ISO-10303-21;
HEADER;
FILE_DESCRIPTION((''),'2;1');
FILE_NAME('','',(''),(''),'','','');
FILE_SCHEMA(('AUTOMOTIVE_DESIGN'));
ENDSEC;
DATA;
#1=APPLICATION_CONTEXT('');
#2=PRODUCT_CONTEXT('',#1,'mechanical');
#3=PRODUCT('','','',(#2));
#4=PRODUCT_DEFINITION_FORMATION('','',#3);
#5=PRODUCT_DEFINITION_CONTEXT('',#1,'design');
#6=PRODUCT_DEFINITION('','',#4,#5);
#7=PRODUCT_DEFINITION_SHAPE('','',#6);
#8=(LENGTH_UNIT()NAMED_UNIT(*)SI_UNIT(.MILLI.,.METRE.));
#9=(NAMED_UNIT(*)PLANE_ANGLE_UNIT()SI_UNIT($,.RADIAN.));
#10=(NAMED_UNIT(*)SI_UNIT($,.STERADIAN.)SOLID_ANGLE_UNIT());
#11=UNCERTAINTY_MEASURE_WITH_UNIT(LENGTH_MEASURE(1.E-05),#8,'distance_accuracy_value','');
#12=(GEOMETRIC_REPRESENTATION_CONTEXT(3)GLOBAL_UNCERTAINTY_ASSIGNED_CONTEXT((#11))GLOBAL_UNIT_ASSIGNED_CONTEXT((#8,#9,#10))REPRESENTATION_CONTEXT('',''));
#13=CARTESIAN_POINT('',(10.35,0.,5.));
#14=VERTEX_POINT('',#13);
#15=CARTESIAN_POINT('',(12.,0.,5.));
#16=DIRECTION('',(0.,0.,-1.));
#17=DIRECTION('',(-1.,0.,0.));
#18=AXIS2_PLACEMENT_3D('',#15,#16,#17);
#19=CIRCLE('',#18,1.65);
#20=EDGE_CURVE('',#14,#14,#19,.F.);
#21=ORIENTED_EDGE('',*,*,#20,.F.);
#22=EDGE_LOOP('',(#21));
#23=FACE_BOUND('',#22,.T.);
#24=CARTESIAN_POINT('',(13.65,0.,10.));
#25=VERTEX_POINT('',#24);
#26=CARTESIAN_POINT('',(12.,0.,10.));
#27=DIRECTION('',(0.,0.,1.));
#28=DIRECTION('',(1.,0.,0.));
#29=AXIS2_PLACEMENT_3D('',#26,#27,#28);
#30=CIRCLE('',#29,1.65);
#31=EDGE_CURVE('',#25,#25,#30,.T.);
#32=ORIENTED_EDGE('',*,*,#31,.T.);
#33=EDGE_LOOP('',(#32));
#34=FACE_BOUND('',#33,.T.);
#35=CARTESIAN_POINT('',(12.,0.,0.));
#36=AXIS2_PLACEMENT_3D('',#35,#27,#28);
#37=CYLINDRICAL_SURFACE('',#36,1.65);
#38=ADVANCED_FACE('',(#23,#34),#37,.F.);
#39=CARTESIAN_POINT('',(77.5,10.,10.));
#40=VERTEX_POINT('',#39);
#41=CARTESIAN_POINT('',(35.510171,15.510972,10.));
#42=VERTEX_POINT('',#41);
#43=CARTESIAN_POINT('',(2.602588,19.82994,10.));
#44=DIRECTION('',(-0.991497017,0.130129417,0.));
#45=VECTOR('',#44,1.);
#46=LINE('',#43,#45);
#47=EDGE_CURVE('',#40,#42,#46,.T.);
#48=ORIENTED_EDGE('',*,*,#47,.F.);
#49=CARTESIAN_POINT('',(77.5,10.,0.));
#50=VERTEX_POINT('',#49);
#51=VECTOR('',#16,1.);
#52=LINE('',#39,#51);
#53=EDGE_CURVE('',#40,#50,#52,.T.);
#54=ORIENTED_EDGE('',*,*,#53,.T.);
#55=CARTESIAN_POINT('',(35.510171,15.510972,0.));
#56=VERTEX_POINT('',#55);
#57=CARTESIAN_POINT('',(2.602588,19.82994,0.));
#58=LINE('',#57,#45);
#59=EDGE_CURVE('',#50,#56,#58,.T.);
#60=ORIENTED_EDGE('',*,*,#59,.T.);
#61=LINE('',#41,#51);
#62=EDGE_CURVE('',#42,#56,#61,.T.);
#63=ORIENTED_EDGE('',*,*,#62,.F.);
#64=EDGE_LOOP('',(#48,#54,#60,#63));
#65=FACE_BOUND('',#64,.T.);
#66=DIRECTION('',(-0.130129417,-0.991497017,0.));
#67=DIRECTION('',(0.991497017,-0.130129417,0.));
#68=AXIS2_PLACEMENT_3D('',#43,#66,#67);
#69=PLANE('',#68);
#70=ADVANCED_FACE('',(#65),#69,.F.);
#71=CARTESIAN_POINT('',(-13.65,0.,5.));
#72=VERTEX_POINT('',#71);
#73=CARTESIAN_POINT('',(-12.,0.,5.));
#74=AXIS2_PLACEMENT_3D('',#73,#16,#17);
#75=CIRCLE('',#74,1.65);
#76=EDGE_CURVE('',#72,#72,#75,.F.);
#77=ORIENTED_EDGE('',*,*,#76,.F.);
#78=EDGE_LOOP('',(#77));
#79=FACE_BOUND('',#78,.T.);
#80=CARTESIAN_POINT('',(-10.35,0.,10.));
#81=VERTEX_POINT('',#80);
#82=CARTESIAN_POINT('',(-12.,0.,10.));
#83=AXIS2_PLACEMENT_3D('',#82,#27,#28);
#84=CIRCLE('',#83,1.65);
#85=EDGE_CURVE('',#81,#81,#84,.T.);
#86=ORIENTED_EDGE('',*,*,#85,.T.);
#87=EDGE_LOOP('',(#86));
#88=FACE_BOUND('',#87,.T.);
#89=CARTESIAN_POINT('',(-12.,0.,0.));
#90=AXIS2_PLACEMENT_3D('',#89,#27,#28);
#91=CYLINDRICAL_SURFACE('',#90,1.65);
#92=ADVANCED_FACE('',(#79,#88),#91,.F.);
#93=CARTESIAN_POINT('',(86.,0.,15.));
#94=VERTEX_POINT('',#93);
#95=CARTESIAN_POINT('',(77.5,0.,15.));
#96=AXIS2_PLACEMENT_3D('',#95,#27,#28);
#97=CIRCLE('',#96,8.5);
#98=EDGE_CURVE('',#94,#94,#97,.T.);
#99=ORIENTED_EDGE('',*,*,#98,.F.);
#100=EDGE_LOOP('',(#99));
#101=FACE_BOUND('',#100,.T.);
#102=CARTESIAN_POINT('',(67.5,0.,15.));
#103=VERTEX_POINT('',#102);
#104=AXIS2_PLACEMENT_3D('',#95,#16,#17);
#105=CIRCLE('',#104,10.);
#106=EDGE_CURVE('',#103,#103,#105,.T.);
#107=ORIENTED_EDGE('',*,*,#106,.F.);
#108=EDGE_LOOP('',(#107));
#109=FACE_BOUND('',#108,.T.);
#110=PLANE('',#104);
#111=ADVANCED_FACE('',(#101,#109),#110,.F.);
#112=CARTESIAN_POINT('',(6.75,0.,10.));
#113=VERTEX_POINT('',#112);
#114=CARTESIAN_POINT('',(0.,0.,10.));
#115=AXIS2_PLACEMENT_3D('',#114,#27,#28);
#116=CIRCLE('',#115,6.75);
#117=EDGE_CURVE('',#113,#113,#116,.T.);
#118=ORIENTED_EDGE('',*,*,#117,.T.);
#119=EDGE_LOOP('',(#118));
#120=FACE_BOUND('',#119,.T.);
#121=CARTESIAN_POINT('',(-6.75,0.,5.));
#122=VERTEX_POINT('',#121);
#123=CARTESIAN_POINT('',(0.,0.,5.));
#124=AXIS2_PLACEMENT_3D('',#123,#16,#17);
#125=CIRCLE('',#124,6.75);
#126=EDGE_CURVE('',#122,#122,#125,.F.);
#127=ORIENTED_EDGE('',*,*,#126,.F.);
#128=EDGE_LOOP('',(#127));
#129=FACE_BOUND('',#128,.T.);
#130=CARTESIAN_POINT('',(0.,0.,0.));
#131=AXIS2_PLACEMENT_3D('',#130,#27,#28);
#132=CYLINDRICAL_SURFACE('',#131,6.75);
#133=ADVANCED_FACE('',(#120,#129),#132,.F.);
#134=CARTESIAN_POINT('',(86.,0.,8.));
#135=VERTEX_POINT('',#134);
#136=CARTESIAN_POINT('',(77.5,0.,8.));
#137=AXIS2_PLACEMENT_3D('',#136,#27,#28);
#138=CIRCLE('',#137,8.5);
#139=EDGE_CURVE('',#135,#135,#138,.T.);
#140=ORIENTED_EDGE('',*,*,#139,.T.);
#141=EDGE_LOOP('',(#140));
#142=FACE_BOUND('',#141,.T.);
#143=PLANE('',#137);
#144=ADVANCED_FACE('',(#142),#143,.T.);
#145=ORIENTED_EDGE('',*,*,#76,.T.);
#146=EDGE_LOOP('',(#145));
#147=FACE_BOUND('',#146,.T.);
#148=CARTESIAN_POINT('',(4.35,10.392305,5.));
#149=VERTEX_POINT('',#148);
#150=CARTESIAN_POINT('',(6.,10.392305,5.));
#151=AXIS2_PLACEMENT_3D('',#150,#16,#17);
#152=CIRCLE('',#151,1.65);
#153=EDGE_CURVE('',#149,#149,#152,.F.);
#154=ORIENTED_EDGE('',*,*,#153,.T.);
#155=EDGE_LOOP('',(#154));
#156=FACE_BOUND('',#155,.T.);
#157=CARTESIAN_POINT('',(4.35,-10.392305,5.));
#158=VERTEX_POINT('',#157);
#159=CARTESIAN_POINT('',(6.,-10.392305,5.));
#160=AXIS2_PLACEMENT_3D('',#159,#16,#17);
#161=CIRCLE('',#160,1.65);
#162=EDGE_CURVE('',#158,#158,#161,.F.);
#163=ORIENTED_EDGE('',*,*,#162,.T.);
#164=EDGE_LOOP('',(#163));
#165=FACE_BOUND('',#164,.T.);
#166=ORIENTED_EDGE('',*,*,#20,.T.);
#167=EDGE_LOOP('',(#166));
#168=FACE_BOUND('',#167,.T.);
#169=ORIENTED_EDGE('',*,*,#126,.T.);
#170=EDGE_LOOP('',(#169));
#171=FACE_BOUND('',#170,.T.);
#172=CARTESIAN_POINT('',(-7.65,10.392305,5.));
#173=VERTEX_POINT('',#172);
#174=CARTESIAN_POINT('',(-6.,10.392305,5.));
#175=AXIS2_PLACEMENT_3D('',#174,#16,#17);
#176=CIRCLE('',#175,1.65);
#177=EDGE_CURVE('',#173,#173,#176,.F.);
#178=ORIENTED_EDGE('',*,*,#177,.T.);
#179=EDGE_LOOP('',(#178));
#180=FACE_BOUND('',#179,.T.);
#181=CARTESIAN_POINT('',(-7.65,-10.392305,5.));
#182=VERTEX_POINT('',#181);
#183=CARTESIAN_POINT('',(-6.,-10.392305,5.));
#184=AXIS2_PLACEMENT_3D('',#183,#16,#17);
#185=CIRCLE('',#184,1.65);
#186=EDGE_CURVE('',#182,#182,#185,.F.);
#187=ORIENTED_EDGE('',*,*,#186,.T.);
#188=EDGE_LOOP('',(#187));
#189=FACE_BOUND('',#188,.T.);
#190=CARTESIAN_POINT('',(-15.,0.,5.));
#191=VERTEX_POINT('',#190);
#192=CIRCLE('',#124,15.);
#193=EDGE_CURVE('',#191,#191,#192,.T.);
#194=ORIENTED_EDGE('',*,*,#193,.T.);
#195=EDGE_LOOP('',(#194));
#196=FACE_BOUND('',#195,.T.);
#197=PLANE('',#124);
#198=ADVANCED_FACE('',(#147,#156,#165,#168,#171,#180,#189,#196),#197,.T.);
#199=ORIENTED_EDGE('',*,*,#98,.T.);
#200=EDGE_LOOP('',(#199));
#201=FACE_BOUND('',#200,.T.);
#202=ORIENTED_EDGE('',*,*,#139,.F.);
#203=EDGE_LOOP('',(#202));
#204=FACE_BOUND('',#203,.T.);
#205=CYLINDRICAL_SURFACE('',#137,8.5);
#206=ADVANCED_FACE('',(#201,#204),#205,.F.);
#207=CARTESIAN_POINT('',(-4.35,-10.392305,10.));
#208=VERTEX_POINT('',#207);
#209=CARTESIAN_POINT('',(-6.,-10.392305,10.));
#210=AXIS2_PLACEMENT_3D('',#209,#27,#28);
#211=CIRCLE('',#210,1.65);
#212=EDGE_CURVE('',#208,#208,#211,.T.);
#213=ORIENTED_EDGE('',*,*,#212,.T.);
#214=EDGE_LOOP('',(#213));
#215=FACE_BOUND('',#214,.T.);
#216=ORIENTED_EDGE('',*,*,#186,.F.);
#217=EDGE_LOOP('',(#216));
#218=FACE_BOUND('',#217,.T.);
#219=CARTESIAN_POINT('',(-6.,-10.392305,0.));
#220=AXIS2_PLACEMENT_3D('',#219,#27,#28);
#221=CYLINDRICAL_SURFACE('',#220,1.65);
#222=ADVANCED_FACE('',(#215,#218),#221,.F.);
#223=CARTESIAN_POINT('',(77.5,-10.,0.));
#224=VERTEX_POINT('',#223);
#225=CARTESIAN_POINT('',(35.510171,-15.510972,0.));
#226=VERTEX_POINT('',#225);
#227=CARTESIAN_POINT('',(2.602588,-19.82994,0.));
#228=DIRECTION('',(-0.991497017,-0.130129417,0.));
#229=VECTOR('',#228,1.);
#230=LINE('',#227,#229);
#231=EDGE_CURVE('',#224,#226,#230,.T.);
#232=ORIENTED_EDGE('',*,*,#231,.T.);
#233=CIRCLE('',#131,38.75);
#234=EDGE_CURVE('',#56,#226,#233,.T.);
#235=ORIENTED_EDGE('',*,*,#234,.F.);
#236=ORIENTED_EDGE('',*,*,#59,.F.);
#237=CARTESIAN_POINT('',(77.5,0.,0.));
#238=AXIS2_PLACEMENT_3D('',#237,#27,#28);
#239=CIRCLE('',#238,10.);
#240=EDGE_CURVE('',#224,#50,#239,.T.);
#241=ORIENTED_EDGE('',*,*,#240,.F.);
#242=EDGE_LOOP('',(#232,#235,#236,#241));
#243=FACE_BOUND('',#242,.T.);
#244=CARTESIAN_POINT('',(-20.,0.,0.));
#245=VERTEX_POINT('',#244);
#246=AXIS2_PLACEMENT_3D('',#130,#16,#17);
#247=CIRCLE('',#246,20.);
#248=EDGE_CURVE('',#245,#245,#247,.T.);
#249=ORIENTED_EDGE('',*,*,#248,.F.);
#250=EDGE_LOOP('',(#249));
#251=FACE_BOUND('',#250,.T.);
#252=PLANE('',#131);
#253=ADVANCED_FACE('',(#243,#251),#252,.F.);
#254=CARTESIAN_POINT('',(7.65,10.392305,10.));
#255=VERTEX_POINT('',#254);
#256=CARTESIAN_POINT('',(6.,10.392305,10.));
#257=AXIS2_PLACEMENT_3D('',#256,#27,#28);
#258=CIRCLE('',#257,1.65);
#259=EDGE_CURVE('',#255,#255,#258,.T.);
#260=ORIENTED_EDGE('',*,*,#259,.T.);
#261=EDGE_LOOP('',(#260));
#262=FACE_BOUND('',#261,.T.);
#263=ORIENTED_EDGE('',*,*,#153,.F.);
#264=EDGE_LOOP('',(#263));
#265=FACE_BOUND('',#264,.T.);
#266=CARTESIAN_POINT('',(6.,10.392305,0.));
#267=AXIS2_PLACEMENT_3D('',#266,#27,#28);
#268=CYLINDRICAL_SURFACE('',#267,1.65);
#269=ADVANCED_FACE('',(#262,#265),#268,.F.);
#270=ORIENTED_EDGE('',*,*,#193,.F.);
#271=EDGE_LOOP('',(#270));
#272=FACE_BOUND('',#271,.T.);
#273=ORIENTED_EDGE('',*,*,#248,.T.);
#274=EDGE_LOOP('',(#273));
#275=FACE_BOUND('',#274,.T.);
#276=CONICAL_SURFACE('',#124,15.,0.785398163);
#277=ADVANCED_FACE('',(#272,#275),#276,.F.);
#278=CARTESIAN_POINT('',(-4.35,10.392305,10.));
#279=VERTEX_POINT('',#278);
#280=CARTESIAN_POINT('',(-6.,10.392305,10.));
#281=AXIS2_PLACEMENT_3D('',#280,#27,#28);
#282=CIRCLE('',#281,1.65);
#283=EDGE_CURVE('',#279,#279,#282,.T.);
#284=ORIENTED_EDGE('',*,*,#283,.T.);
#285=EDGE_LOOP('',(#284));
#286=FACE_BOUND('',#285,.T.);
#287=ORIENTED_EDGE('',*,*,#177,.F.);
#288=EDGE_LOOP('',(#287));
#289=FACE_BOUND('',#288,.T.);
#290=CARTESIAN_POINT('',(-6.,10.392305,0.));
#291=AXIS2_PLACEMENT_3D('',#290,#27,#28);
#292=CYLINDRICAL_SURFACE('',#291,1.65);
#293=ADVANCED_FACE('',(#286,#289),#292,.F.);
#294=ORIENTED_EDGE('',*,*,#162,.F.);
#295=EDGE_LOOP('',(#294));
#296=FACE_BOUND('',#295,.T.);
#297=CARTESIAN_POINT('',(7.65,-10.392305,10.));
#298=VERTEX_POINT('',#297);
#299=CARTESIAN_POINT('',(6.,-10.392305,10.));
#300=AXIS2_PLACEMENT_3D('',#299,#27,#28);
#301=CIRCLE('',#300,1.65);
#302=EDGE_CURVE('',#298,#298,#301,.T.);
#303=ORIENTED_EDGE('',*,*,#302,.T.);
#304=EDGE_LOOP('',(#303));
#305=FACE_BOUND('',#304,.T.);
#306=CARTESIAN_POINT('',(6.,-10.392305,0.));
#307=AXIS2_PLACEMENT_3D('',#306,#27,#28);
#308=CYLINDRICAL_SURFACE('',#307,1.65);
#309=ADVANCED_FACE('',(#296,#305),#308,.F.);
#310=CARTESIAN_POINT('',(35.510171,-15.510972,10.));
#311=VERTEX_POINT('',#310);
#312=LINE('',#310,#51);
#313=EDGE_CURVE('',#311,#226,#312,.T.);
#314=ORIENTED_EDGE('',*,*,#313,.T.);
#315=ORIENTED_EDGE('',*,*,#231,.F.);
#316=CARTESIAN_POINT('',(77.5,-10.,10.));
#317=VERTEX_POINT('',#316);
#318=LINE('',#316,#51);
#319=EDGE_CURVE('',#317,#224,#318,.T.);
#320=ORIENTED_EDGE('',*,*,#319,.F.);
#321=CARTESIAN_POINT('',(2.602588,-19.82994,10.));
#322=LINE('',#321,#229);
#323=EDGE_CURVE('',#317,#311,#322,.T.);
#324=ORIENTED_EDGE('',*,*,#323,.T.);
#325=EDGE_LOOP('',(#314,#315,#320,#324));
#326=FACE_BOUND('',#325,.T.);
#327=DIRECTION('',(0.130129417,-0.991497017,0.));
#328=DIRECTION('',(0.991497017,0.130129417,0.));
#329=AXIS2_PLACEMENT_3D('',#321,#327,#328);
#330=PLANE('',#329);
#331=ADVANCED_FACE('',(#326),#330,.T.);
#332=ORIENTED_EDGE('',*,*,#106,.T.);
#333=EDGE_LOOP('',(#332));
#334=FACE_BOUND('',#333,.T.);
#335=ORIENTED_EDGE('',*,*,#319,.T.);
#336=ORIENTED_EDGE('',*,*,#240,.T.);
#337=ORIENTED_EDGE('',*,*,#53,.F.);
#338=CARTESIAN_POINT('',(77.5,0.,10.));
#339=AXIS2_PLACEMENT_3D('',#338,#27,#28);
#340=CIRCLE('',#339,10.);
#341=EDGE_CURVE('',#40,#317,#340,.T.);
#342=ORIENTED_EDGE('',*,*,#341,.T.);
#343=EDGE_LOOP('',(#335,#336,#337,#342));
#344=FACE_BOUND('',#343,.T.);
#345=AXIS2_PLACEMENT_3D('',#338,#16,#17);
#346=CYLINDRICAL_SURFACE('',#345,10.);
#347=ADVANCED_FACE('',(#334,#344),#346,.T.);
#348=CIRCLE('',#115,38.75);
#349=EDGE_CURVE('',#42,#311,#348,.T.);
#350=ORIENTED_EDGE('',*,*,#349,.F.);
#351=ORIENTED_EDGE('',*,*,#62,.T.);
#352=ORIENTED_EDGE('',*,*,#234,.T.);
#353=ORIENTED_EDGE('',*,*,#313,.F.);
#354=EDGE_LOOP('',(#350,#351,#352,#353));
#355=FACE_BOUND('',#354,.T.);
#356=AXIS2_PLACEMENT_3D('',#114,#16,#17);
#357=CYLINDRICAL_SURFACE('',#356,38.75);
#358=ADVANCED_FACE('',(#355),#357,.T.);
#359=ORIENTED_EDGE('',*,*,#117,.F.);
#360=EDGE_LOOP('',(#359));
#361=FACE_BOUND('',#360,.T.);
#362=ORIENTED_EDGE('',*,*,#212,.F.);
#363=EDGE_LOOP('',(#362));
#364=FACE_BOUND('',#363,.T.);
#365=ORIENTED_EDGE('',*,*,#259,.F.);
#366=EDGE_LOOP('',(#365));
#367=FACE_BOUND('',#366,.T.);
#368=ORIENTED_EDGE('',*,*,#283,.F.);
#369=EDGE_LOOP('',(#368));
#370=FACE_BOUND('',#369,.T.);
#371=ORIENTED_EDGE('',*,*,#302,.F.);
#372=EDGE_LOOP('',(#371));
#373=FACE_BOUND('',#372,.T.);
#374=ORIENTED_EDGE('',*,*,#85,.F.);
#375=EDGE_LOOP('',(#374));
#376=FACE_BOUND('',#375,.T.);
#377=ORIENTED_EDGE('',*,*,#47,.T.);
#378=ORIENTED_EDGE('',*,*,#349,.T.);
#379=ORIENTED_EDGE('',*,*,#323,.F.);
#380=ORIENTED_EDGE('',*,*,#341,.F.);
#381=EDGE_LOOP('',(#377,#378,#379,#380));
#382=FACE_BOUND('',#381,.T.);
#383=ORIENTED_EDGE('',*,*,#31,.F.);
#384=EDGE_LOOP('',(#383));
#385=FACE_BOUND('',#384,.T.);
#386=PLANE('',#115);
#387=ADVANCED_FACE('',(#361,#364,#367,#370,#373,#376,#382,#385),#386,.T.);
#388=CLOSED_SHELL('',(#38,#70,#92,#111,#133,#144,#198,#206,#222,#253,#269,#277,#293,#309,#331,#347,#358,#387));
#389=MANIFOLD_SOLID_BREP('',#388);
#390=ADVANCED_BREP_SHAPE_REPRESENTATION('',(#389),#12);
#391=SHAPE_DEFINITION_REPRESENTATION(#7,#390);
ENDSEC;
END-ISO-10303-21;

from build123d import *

# Parameters (mm, degrees)
BOSS_EXTRUDE1_DEPTH = 10
SKETCH2_R           = 6.75
SKETCH2_R_2         = 1.65
CUT_EXTRUDE1_DEPTH  = 97.21752699
SKETCH3_W           = 15
SKETCH3_H           = 5
SKETCH4_R           = 10
BOSS_EXTRUDE2_DEPTH = 15
SKETCH5_R           = 8.5
CUT_EXTRUDE2_DEPTH  = 7


with BuildPart() as part:
    # Sketch1 → Boss-Extrude1 (new body)
    with BuildSketch(Plane.XY):
        with BuildLine():
            ThreePointArc((35.510171199, 15.510971646), (-38.75, 0), (35.510171199, -15.510971646))
            Line((35.510171199, -15.510971646), (77.5, -10))
            ThreePointArc((77.5, -10), (87.5, 0), (77.5, 10))
            Line((77.5, 10), (35.510171199, 15.510971646))
        make_face()
    extrude(amount=BOSS_EXTRUDE1_DEPTH)

    # Sketch2 → Cut-Extrude1 (cut, through all)
    with BuildSketch(Plane.XY.offset(10)):
        Circle(SKETCH2_R)
        with Locations((12, 0)):
            Circle(SKETCH2_R_2)
        with Locations((6, -10.392304845)):
            Circle(SKETCH2_R_2)
        with Locations((-6, -10.392304845)):
            Circle(SKETCH2_R_2)
        with Locations((-12, 0)):
            Circle(SKETCH2_R_2)
        with Locations((-6, 10.392304845)):
            Circle(SKETCH2_R_2)
        with Locations((6, 10.392304845)):
            Circle(SKETCH2_R_2)
    extrude(amount=-CUT_EXTRUDE1_DEPTH, mode=Mode.SUBTRACT)

    # Sketch3 → Cut-Revolve1 (revolve, cut)
    with BuildSketch(Plane(origin=(0, 0, 0), x_dir=(1, 0, 0), z_dir=(0, 1, 0))):
        with Locations((7.5, -2.5)):
            Rectangle(SKETCH3_W, SKETCH3_H)
        Polygon((15, -5), (20, 0), (15, 0), align=None)
    revolve(axis=Axis((0, 0, 0), (0, 0, 1)), mode=Mode.SUBTRACT)

    # Sketch4 → Boss-Extrude2 (add)
    with BuildSketch(Plane(origin=(0, 0, 0), x_dir=(-1, 0, 0), z_dir=(0, 0, -1))):
        with Locations((-77.5, 0)):
            Circle(SKETCH4_R)
    extrude(amount=-BOSS_EXTRUDE2_DEPTH)

    # Sketch5 → Cut-Extrude2 (cut)
    with BuildSketch(Plane.XY.offset(15)):
        with Locations((77.5, 0)):
            Circle(SKETCH5_R)
    extrude(amount=-CUT_EXTRUDE2_DEPTH, mode=Mode.SUBTRACT)


solid = part.part
